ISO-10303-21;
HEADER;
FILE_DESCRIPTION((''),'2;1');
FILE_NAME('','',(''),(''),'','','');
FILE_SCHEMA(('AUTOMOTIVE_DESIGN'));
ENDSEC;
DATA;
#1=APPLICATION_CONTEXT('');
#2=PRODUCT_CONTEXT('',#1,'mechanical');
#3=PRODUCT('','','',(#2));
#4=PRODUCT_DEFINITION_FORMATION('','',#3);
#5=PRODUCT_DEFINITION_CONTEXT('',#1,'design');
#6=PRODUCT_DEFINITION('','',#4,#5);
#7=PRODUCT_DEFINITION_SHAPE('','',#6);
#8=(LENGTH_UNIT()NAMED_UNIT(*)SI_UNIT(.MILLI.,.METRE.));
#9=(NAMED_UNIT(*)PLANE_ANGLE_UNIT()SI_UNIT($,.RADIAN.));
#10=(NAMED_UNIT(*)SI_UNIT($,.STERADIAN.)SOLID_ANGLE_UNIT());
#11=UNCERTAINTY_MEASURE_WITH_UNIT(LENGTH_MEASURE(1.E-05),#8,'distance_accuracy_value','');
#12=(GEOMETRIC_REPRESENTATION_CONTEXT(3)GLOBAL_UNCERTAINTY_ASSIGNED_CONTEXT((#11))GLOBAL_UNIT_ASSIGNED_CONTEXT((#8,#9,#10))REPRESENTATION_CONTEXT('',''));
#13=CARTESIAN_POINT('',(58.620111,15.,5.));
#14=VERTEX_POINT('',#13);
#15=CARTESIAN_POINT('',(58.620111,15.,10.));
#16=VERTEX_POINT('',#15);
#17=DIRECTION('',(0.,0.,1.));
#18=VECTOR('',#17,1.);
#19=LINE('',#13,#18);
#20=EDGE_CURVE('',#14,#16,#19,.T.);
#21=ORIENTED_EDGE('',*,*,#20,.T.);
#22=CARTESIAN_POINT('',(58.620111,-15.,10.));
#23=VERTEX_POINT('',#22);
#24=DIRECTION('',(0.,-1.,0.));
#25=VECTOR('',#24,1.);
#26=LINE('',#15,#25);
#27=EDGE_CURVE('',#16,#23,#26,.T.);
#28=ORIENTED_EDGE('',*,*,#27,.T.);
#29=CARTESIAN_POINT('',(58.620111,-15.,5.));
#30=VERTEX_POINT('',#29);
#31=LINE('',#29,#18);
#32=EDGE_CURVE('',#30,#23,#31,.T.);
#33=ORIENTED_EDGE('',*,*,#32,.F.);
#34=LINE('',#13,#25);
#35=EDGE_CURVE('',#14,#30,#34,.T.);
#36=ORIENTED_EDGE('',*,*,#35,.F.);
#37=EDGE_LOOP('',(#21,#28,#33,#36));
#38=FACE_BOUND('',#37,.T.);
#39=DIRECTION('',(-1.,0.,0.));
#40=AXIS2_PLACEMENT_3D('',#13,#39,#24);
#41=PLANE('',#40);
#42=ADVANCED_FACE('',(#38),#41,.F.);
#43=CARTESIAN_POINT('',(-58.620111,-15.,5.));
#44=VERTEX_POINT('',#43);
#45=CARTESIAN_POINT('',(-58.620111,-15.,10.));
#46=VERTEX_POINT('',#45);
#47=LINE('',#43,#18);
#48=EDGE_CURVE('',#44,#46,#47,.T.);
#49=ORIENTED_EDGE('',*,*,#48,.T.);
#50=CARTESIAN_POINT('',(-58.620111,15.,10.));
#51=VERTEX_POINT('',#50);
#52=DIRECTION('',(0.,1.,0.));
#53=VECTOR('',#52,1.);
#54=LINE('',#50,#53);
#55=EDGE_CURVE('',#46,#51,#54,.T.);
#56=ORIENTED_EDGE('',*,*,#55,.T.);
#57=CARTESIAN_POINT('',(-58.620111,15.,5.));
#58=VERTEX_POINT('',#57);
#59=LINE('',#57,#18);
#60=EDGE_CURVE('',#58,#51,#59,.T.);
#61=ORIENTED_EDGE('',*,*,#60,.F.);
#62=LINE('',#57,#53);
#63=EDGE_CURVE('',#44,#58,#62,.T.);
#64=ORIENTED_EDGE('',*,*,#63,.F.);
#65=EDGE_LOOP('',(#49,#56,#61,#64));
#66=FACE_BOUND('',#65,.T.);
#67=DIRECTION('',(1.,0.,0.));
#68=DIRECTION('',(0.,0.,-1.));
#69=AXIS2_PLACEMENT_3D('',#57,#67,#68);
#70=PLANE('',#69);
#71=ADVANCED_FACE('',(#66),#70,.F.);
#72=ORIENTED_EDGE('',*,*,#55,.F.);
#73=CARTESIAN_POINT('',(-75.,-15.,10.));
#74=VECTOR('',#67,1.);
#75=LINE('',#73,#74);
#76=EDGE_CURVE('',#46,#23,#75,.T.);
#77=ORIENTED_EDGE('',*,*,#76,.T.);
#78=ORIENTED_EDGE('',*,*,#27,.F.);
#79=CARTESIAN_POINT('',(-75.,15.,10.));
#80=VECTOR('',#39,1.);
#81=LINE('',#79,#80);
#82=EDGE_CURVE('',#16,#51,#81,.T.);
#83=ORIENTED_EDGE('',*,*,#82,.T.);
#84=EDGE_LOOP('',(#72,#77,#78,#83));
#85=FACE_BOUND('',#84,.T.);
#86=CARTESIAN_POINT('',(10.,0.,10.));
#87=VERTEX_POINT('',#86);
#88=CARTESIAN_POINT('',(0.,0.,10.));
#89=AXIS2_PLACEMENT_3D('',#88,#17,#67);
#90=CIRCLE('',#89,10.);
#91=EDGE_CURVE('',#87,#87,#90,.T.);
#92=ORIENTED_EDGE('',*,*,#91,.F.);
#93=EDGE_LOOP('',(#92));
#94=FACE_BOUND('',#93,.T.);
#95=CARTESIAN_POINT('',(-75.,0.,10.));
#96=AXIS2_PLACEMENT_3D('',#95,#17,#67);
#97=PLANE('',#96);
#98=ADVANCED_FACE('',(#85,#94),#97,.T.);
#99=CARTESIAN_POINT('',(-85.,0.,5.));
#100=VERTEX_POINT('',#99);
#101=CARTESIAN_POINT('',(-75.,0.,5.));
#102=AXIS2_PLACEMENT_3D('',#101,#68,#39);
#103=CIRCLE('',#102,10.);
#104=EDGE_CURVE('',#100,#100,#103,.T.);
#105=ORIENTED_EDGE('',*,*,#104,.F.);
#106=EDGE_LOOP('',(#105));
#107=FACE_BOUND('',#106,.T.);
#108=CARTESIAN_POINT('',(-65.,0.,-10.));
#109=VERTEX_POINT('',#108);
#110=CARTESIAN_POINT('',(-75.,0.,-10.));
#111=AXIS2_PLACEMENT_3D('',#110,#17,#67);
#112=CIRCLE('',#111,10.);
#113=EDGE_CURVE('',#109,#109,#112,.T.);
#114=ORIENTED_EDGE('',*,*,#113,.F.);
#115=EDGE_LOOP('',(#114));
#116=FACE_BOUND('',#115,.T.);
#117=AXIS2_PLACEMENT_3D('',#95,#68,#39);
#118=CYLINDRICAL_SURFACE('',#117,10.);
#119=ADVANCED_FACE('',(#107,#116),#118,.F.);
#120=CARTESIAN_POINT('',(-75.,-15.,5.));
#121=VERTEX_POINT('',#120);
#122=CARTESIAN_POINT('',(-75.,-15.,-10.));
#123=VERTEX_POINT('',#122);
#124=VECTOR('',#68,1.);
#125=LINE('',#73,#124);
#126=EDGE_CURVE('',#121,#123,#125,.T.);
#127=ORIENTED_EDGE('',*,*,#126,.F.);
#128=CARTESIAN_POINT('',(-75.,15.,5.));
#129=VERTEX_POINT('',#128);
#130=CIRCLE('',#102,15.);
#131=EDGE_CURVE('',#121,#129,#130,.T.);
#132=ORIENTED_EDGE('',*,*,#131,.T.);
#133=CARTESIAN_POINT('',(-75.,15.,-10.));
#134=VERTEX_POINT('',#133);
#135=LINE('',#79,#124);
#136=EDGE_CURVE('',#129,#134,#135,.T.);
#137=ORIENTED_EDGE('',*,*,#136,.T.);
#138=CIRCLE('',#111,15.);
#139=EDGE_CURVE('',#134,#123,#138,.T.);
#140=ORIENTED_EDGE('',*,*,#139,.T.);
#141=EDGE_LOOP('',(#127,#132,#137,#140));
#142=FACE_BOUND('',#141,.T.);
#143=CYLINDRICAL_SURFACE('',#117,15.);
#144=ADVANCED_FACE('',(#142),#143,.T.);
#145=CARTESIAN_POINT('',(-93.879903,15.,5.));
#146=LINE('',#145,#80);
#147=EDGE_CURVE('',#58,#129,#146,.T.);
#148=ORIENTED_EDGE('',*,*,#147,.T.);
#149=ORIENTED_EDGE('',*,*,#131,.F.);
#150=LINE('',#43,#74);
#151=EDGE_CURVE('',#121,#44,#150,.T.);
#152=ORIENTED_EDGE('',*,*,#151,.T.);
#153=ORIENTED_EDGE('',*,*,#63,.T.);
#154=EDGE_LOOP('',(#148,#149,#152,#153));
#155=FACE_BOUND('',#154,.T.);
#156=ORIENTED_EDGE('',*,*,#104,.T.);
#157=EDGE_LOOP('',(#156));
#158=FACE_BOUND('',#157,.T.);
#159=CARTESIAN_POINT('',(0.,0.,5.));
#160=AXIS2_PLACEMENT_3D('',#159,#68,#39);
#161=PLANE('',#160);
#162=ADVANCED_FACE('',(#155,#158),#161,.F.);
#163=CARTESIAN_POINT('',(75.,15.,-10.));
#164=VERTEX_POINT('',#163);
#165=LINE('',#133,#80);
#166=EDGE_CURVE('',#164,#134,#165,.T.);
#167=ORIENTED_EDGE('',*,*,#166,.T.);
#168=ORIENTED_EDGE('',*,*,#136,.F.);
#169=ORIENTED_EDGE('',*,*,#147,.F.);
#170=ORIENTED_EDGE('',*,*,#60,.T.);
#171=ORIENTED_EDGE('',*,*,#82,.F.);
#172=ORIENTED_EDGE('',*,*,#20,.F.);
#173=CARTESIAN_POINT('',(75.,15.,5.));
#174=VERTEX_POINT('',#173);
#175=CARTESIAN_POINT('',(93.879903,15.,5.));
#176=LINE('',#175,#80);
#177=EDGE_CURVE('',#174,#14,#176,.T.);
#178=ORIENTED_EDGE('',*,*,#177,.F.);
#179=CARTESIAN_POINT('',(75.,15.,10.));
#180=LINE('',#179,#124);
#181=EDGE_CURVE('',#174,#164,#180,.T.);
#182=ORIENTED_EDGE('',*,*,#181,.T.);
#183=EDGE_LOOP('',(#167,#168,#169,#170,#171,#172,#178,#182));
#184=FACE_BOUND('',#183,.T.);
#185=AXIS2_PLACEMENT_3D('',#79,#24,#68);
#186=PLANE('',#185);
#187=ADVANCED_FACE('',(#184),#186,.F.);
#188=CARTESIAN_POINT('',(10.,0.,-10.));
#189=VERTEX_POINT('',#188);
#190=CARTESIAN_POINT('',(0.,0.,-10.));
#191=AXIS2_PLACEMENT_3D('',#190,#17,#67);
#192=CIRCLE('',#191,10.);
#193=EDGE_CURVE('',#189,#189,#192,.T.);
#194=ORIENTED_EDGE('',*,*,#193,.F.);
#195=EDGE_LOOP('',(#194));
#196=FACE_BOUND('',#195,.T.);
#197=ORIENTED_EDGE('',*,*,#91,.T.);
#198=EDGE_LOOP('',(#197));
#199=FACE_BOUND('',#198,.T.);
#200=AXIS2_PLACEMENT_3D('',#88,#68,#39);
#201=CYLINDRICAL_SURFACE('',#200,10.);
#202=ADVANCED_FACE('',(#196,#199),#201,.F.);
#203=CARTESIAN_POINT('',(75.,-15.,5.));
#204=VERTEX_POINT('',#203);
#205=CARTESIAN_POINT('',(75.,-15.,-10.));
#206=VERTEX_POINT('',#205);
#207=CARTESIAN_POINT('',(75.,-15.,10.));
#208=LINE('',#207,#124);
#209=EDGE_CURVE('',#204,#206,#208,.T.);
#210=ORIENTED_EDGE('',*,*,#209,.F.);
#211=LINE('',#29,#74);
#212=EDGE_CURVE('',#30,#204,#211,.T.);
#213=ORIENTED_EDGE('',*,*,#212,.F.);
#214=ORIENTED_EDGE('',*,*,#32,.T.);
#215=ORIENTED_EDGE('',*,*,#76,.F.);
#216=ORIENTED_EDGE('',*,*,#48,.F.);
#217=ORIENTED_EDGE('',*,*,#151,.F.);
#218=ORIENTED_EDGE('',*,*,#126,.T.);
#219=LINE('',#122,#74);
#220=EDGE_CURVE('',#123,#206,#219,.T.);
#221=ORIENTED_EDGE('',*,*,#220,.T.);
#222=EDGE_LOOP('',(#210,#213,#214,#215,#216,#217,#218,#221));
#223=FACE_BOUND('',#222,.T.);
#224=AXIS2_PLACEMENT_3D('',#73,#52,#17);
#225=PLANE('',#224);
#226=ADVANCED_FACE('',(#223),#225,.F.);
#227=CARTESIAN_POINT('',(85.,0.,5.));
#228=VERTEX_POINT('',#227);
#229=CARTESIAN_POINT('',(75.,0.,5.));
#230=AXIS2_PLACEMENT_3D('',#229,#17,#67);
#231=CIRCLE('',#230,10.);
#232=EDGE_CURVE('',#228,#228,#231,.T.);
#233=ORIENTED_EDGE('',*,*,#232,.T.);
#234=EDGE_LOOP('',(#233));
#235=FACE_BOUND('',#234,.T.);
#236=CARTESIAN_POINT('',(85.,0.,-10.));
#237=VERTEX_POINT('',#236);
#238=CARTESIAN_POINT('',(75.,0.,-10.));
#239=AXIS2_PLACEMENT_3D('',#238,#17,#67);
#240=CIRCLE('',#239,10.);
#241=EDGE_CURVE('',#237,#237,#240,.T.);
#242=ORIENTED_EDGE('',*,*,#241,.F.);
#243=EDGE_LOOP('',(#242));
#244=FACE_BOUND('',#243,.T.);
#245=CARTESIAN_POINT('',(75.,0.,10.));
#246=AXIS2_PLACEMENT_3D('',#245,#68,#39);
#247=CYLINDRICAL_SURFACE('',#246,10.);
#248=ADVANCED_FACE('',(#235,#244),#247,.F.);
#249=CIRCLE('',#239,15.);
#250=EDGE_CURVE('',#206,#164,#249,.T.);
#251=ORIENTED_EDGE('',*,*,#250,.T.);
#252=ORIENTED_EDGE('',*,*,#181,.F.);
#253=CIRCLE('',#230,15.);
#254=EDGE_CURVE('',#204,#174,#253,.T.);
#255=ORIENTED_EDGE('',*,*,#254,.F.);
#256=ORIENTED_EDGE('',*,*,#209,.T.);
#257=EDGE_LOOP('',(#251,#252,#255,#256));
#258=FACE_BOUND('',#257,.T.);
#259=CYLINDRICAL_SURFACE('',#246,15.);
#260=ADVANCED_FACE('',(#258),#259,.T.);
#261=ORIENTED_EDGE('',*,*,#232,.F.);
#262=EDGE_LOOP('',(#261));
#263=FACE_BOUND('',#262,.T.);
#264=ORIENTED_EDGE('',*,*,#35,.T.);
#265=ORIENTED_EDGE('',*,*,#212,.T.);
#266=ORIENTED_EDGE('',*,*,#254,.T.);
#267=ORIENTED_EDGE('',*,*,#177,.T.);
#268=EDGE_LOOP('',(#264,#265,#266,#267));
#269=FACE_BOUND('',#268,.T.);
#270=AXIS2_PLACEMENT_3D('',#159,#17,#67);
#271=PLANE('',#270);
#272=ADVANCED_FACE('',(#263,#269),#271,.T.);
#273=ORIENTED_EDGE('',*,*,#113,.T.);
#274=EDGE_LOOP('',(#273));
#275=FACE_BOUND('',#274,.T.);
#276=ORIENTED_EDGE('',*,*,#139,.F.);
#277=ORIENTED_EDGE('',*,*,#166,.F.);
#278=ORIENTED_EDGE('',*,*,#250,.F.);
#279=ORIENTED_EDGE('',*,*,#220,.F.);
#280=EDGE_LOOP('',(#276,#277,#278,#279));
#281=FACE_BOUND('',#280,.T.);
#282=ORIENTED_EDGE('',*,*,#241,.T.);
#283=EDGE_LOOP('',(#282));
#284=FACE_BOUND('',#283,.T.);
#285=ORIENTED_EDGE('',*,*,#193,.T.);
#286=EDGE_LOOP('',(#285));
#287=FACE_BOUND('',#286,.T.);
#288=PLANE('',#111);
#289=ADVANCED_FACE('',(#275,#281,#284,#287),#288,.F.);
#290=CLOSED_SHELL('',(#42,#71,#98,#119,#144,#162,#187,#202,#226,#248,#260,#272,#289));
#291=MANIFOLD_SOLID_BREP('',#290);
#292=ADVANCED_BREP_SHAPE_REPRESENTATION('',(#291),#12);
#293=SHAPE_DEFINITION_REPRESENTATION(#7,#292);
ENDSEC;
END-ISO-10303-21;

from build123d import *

# Parameters (mm, degrees)
SKETCH_1_R          = 10
EXTRUDE_1_DEPTH     = 10
SKETCH_2_W          = 35.259791695
SKETCH_2_H          = 30
CUT_EXTRUDE_1_DEPTH = 5


with BuildPart() as part:
    # Эскиз1 → Бобышка-Вытянуть1 (new, symmetric)
    with BuildSketch(Plane.XY):
        with BuildLine():
            Line((-75, 15), (75, 15))
            ThreePointArc((75, 15), (90, 0), (75, -15))
            Line((75, -15), (-75, -15))
            ThreePointArc((-75, -15), (-90, 0), (-75, 15))
        make_face()
        with Locations((-75, 0)):
            Circle(SKETCH_1_R, mode=Mode.SUBTRACT)
        Circle(SKETCH_1_R, mode=Mode.SUBTRACT)
        with Locations((75, 0)):
            Circle(SKETCH_1_R, mode=Mode.SUBTRACT)
    extrude(amount=EXTRUDE_1_DEPTH, both=True)

    # Эскиз2 → Вырез-Вытянуть1 (cut)
    with BuildSketch(Plane.XY.offset(10)):
        with Locations((-76.250006928, 0)):
            Rectangle(SKETCH_2_W, SKETCH_2_H)
        with Locations((76.250006928, 0)):
            Rectangle(SKETCH_2_W, SKETCH_2_H)
    extrude(amount=-CUT_EXTRUDE_1_DEPTH, mode=Mode.SUBTRACT)


solid = part.part
